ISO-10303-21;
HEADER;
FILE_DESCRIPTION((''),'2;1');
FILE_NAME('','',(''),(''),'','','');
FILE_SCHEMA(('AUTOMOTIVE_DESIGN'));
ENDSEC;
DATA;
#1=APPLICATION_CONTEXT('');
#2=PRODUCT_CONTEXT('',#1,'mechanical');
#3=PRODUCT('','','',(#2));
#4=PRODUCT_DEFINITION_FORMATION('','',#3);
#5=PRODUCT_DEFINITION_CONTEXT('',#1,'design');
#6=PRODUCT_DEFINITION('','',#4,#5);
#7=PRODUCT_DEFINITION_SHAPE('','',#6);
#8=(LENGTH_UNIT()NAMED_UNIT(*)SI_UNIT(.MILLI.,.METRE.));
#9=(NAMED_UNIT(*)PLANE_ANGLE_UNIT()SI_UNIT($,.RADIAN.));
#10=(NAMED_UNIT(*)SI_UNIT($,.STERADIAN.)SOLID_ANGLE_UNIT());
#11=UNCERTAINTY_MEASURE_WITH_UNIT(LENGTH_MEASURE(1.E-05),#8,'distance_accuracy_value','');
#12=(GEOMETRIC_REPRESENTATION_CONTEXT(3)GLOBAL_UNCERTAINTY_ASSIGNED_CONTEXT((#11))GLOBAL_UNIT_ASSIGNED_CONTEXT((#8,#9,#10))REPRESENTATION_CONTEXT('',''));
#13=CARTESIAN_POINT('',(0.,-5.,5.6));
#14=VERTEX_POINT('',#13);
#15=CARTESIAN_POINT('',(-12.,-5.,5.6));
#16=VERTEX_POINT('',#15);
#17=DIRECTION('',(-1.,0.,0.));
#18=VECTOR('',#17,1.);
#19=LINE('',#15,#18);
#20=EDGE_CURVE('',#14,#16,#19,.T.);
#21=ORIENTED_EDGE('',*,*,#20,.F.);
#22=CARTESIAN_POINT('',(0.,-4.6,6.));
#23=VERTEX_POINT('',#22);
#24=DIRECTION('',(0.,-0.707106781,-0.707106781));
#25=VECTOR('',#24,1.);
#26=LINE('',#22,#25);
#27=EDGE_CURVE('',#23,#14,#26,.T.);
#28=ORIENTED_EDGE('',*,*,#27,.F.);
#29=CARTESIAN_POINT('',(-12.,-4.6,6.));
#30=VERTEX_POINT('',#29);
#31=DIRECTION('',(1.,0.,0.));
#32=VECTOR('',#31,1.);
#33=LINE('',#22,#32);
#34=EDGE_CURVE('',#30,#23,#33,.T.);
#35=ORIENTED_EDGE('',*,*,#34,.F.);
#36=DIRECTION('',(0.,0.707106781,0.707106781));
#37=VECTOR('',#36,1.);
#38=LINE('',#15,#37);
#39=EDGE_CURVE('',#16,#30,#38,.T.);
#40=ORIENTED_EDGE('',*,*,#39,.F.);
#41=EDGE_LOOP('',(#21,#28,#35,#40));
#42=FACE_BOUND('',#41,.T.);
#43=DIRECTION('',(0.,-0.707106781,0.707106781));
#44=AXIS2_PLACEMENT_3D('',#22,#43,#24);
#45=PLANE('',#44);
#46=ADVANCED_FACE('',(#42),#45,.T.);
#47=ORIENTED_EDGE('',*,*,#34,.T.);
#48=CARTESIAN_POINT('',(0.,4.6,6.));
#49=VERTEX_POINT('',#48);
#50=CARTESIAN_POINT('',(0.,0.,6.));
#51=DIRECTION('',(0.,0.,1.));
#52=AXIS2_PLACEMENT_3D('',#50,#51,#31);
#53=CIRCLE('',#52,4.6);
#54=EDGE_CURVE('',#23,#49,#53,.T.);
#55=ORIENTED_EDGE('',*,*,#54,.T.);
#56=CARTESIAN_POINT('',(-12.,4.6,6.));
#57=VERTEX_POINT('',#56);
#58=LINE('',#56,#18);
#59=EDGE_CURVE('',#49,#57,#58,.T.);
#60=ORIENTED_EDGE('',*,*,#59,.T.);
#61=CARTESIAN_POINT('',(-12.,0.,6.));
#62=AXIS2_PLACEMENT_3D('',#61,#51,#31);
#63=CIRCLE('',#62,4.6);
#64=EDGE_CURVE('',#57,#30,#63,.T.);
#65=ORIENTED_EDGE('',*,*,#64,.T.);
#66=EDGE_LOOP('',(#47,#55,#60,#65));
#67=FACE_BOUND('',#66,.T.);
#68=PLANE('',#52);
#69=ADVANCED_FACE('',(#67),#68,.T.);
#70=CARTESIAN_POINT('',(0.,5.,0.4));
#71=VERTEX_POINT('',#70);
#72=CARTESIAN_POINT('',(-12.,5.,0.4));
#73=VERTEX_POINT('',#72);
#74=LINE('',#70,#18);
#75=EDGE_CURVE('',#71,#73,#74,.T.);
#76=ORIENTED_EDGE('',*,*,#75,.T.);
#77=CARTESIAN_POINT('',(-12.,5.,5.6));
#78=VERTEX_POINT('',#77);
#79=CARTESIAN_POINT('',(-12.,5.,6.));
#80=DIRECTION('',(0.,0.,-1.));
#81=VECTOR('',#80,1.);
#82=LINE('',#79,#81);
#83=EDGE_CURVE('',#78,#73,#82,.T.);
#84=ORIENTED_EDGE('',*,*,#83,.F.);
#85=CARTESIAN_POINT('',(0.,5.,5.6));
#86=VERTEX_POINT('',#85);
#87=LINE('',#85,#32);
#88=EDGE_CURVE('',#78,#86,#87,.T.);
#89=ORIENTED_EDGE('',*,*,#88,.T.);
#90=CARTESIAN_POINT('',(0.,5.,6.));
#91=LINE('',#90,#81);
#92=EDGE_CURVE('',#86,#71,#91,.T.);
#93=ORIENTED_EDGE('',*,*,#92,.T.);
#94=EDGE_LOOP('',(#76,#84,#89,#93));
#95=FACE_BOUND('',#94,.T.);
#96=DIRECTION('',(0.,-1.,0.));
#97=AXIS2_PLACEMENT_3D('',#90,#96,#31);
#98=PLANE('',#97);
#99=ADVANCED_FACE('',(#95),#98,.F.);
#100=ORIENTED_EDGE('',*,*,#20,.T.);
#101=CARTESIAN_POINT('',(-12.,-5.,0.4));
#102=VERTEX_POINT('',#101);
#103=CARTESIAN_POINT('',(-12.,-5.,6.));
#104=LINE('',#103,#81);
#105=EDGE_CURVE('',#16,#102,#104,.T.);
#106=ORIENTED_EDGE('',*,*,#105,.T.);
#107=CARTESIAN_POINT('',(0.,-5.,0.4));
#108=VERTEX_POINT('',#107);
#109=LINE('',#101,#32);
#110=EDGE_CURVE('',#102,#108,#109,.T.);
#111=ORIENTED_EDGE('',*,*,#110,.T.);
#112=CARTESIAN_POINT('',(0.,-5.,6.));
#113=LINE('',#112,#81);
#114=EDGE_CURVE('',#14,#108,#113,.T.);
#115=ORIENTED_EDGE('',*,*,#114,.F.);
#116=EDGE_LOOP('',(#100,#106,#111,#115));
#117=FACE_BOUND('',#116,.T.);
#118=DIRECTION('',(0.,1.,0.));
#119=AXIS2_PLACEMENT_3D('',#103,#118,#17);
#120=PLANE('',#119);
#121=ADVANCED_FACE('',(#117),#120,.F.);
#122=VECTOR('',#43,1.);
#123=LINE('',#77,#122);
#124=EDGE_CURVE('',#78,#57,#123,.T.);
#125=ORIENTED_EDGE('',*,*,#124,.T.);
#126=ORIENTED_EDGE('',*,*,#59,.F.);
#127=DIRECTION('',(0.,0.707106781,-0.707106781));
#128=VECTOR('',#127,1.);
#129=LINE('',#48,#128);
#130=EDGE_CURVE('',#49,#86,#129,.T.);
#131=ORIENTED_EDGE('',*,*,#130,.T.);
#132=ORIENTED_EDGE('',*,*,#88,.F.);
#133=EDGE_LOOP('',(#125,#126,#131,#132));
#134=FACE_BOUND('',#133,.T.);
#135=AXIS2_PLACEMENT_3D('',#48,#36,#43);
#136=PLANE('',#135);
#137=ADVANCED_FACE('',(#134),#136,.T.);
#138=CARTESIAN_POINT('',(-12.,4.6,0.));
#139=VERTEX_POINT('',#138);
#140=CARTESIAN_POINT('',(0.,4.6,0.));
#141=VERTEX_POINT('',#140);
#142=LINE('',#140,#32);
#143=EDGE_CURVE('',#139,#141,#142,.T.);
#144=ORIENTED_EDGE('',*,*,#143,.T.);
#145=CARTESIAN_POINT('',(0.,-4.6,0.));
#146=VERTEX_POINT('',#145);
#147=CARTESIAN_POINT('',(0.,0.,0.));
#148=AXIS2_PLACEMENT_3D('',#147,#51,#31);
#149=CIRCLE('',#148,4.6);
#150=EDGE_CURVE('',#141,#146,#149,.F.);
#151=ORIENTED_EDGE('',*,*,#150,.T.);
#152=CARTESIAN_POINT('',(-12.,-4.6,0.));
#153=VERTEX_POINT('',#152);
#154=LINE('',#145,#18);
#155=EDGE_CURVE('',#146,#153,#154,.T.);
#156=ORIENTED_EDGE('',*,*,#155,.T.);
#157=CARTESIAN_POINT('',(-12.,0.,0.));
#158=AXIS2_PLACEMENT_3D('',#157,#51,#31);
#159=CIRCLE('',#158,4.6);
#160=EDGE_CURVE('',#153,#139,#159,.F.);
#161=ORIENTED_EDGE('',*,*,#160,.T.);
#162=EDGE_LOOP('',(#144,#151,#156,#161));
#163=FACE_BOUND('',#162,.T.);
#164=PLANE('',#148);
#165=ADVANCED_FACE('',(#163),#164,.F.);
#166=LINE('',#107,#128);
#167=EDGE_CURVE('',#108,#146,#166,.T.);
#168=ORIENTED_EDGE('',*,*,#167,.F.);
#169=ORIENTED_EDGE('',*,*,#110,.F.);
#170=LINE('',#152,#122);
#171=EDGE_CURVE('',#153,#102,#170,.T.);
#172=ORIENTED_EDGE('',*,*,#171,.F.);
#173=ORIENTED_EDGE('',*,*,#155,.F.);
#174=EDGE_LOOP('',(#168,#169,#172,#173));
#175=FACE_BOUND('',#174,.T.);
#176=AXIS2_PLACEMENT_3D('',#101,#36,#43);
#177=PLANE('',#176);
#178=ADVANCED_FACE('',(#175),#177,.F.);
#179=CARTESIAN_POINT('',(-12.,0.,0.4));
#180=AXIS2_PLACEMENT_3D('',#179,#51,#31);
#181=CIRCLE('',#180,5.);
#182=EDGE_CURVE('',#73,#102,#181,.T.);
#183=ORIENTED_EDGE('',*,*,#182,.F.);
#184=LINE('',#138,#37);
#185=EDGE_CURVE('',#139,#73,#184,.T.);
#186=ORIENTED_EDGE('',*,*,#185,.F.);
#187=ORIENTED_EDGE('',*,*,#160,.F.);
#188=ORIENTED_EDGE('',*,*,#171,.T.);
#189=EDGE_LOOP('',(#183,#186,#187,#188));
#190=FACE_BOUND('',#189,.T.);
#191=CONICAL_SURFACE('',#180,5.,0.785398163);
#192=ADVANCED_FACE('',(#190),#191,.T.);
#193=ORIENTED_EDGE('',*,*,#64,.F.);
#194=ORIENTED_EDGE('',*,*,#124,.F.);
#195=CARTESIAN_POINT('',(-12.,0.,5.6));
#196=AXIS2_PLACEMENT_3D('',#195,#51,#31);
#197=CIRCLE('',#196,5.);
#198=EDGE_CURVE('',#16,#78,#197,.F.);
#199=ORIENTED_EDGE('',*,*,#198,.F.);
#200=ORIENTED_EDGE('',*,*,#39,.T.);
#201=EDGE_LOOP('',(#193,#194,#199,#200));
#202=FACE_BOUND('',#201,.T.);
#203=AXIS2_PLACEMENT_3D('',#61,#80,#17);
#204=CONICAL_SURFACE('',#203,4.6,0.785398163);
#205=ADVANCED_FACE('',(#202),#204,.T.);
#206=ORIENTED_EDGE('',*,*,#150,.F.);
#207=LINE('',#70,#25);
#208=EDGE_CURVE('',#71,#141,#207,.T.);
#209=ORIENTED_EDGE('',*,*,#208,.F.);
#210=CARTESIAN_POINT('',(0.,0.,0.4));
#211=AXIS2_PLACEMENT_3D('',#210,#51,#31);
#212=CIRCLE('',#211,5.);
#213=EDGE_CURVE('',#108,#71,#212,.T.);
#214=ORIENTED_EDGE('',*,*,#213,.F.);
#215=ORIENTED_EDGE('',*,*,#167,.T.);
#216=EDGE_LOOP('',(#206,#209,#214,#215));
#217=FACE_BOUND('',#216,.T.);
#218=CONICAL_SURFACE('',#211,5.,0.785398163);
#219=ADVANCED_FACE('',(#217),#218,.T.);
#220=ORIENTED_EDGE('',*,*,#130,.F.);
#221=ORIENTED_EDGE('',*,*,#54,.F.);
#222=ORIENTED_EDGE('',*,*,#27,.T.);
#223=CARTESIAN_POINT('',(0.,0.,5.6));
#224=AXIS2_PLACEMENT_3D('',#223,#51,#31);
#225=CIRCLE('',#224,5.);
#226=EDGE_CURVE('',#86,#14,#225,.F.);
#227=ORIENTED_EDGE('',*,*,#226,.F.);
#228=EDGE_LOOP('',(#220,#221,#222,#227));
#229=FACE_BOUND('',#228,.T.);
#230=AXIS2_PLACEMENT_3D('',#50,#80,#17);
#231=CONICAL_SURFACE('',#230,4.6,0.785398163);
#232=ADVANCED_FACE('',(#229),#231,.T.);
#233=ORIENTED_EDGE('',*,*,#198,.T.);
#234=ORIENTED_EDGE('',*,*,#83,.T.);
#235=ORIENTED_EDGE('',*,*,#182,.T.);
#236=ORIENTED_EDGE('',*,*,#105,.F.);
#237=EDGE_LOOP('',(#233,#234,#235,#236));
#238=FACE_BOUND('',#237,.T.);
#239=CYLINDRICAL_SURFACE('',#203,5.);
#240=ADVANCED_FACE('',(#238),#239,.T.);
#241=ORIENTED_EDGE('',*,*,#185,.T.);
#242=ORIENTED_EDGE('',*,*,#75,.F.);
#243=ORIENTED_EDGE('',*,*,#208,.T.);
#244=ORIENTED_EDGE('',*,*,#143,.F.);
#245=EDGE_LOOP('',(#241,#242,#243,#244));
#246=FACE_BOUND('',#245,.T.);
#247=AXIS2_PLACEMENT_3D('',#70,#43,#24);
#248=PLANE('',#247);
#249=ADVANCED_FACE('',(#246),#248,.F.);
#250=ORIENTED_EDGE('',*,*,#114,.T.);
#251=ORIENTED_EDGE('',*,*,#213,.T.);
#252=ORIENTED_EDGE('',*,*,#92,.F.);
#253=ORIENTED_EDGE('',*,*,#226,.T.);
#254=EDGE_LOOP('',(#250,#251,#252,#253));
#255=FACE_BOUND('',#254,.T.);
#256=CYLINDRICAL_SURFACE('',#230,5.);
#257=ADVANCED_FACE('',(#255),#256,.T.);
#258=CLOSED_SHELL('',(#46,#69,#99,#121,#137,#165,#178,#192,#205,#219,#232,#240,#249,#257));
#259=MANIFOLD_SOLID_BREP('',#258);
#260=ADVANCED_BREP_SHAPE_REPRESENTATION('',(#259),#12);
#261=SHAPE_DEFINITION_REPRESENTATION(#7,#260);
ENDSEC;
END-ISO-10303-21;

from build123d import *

# Parameters (mm, degrees)
EXTRUDE1_DEPTH = 6
CHAMFER1_SIZE  = 0.4


with BuildPart() as part:
    # Sketch1 → Extrude1 (new body)
    with BuildSketch(Plane.XY):
        with BuildLine():
            Line((0, 5), (-12, 5))
            ThreePointArc((-12, 5), (-17, 0), (-12, -5))
            Line((-12, -5), (0, -5))
            ThreePointArc((0, -5), (5, 0), (0, 5))
        make_face()
    extrude(amount=EXTRUDE1_DEPTH)

    # Chamfer1
    chamfer1_edges = [part.edges().sort_by_distance(p)[0] for p in [
        (-17, 0, 6),
        (-6, -5, 6),
        (5, 0, 6),
        (-6, -5, 0),
        (-17, 0, 0),
        (-6, 5, 0),
        (5, 0, 0),
        (-6, 5, 6),
    ]]
    chamfer(chamfer1_edges, length=CHAMFER1_SIZE)


solid = part.part
